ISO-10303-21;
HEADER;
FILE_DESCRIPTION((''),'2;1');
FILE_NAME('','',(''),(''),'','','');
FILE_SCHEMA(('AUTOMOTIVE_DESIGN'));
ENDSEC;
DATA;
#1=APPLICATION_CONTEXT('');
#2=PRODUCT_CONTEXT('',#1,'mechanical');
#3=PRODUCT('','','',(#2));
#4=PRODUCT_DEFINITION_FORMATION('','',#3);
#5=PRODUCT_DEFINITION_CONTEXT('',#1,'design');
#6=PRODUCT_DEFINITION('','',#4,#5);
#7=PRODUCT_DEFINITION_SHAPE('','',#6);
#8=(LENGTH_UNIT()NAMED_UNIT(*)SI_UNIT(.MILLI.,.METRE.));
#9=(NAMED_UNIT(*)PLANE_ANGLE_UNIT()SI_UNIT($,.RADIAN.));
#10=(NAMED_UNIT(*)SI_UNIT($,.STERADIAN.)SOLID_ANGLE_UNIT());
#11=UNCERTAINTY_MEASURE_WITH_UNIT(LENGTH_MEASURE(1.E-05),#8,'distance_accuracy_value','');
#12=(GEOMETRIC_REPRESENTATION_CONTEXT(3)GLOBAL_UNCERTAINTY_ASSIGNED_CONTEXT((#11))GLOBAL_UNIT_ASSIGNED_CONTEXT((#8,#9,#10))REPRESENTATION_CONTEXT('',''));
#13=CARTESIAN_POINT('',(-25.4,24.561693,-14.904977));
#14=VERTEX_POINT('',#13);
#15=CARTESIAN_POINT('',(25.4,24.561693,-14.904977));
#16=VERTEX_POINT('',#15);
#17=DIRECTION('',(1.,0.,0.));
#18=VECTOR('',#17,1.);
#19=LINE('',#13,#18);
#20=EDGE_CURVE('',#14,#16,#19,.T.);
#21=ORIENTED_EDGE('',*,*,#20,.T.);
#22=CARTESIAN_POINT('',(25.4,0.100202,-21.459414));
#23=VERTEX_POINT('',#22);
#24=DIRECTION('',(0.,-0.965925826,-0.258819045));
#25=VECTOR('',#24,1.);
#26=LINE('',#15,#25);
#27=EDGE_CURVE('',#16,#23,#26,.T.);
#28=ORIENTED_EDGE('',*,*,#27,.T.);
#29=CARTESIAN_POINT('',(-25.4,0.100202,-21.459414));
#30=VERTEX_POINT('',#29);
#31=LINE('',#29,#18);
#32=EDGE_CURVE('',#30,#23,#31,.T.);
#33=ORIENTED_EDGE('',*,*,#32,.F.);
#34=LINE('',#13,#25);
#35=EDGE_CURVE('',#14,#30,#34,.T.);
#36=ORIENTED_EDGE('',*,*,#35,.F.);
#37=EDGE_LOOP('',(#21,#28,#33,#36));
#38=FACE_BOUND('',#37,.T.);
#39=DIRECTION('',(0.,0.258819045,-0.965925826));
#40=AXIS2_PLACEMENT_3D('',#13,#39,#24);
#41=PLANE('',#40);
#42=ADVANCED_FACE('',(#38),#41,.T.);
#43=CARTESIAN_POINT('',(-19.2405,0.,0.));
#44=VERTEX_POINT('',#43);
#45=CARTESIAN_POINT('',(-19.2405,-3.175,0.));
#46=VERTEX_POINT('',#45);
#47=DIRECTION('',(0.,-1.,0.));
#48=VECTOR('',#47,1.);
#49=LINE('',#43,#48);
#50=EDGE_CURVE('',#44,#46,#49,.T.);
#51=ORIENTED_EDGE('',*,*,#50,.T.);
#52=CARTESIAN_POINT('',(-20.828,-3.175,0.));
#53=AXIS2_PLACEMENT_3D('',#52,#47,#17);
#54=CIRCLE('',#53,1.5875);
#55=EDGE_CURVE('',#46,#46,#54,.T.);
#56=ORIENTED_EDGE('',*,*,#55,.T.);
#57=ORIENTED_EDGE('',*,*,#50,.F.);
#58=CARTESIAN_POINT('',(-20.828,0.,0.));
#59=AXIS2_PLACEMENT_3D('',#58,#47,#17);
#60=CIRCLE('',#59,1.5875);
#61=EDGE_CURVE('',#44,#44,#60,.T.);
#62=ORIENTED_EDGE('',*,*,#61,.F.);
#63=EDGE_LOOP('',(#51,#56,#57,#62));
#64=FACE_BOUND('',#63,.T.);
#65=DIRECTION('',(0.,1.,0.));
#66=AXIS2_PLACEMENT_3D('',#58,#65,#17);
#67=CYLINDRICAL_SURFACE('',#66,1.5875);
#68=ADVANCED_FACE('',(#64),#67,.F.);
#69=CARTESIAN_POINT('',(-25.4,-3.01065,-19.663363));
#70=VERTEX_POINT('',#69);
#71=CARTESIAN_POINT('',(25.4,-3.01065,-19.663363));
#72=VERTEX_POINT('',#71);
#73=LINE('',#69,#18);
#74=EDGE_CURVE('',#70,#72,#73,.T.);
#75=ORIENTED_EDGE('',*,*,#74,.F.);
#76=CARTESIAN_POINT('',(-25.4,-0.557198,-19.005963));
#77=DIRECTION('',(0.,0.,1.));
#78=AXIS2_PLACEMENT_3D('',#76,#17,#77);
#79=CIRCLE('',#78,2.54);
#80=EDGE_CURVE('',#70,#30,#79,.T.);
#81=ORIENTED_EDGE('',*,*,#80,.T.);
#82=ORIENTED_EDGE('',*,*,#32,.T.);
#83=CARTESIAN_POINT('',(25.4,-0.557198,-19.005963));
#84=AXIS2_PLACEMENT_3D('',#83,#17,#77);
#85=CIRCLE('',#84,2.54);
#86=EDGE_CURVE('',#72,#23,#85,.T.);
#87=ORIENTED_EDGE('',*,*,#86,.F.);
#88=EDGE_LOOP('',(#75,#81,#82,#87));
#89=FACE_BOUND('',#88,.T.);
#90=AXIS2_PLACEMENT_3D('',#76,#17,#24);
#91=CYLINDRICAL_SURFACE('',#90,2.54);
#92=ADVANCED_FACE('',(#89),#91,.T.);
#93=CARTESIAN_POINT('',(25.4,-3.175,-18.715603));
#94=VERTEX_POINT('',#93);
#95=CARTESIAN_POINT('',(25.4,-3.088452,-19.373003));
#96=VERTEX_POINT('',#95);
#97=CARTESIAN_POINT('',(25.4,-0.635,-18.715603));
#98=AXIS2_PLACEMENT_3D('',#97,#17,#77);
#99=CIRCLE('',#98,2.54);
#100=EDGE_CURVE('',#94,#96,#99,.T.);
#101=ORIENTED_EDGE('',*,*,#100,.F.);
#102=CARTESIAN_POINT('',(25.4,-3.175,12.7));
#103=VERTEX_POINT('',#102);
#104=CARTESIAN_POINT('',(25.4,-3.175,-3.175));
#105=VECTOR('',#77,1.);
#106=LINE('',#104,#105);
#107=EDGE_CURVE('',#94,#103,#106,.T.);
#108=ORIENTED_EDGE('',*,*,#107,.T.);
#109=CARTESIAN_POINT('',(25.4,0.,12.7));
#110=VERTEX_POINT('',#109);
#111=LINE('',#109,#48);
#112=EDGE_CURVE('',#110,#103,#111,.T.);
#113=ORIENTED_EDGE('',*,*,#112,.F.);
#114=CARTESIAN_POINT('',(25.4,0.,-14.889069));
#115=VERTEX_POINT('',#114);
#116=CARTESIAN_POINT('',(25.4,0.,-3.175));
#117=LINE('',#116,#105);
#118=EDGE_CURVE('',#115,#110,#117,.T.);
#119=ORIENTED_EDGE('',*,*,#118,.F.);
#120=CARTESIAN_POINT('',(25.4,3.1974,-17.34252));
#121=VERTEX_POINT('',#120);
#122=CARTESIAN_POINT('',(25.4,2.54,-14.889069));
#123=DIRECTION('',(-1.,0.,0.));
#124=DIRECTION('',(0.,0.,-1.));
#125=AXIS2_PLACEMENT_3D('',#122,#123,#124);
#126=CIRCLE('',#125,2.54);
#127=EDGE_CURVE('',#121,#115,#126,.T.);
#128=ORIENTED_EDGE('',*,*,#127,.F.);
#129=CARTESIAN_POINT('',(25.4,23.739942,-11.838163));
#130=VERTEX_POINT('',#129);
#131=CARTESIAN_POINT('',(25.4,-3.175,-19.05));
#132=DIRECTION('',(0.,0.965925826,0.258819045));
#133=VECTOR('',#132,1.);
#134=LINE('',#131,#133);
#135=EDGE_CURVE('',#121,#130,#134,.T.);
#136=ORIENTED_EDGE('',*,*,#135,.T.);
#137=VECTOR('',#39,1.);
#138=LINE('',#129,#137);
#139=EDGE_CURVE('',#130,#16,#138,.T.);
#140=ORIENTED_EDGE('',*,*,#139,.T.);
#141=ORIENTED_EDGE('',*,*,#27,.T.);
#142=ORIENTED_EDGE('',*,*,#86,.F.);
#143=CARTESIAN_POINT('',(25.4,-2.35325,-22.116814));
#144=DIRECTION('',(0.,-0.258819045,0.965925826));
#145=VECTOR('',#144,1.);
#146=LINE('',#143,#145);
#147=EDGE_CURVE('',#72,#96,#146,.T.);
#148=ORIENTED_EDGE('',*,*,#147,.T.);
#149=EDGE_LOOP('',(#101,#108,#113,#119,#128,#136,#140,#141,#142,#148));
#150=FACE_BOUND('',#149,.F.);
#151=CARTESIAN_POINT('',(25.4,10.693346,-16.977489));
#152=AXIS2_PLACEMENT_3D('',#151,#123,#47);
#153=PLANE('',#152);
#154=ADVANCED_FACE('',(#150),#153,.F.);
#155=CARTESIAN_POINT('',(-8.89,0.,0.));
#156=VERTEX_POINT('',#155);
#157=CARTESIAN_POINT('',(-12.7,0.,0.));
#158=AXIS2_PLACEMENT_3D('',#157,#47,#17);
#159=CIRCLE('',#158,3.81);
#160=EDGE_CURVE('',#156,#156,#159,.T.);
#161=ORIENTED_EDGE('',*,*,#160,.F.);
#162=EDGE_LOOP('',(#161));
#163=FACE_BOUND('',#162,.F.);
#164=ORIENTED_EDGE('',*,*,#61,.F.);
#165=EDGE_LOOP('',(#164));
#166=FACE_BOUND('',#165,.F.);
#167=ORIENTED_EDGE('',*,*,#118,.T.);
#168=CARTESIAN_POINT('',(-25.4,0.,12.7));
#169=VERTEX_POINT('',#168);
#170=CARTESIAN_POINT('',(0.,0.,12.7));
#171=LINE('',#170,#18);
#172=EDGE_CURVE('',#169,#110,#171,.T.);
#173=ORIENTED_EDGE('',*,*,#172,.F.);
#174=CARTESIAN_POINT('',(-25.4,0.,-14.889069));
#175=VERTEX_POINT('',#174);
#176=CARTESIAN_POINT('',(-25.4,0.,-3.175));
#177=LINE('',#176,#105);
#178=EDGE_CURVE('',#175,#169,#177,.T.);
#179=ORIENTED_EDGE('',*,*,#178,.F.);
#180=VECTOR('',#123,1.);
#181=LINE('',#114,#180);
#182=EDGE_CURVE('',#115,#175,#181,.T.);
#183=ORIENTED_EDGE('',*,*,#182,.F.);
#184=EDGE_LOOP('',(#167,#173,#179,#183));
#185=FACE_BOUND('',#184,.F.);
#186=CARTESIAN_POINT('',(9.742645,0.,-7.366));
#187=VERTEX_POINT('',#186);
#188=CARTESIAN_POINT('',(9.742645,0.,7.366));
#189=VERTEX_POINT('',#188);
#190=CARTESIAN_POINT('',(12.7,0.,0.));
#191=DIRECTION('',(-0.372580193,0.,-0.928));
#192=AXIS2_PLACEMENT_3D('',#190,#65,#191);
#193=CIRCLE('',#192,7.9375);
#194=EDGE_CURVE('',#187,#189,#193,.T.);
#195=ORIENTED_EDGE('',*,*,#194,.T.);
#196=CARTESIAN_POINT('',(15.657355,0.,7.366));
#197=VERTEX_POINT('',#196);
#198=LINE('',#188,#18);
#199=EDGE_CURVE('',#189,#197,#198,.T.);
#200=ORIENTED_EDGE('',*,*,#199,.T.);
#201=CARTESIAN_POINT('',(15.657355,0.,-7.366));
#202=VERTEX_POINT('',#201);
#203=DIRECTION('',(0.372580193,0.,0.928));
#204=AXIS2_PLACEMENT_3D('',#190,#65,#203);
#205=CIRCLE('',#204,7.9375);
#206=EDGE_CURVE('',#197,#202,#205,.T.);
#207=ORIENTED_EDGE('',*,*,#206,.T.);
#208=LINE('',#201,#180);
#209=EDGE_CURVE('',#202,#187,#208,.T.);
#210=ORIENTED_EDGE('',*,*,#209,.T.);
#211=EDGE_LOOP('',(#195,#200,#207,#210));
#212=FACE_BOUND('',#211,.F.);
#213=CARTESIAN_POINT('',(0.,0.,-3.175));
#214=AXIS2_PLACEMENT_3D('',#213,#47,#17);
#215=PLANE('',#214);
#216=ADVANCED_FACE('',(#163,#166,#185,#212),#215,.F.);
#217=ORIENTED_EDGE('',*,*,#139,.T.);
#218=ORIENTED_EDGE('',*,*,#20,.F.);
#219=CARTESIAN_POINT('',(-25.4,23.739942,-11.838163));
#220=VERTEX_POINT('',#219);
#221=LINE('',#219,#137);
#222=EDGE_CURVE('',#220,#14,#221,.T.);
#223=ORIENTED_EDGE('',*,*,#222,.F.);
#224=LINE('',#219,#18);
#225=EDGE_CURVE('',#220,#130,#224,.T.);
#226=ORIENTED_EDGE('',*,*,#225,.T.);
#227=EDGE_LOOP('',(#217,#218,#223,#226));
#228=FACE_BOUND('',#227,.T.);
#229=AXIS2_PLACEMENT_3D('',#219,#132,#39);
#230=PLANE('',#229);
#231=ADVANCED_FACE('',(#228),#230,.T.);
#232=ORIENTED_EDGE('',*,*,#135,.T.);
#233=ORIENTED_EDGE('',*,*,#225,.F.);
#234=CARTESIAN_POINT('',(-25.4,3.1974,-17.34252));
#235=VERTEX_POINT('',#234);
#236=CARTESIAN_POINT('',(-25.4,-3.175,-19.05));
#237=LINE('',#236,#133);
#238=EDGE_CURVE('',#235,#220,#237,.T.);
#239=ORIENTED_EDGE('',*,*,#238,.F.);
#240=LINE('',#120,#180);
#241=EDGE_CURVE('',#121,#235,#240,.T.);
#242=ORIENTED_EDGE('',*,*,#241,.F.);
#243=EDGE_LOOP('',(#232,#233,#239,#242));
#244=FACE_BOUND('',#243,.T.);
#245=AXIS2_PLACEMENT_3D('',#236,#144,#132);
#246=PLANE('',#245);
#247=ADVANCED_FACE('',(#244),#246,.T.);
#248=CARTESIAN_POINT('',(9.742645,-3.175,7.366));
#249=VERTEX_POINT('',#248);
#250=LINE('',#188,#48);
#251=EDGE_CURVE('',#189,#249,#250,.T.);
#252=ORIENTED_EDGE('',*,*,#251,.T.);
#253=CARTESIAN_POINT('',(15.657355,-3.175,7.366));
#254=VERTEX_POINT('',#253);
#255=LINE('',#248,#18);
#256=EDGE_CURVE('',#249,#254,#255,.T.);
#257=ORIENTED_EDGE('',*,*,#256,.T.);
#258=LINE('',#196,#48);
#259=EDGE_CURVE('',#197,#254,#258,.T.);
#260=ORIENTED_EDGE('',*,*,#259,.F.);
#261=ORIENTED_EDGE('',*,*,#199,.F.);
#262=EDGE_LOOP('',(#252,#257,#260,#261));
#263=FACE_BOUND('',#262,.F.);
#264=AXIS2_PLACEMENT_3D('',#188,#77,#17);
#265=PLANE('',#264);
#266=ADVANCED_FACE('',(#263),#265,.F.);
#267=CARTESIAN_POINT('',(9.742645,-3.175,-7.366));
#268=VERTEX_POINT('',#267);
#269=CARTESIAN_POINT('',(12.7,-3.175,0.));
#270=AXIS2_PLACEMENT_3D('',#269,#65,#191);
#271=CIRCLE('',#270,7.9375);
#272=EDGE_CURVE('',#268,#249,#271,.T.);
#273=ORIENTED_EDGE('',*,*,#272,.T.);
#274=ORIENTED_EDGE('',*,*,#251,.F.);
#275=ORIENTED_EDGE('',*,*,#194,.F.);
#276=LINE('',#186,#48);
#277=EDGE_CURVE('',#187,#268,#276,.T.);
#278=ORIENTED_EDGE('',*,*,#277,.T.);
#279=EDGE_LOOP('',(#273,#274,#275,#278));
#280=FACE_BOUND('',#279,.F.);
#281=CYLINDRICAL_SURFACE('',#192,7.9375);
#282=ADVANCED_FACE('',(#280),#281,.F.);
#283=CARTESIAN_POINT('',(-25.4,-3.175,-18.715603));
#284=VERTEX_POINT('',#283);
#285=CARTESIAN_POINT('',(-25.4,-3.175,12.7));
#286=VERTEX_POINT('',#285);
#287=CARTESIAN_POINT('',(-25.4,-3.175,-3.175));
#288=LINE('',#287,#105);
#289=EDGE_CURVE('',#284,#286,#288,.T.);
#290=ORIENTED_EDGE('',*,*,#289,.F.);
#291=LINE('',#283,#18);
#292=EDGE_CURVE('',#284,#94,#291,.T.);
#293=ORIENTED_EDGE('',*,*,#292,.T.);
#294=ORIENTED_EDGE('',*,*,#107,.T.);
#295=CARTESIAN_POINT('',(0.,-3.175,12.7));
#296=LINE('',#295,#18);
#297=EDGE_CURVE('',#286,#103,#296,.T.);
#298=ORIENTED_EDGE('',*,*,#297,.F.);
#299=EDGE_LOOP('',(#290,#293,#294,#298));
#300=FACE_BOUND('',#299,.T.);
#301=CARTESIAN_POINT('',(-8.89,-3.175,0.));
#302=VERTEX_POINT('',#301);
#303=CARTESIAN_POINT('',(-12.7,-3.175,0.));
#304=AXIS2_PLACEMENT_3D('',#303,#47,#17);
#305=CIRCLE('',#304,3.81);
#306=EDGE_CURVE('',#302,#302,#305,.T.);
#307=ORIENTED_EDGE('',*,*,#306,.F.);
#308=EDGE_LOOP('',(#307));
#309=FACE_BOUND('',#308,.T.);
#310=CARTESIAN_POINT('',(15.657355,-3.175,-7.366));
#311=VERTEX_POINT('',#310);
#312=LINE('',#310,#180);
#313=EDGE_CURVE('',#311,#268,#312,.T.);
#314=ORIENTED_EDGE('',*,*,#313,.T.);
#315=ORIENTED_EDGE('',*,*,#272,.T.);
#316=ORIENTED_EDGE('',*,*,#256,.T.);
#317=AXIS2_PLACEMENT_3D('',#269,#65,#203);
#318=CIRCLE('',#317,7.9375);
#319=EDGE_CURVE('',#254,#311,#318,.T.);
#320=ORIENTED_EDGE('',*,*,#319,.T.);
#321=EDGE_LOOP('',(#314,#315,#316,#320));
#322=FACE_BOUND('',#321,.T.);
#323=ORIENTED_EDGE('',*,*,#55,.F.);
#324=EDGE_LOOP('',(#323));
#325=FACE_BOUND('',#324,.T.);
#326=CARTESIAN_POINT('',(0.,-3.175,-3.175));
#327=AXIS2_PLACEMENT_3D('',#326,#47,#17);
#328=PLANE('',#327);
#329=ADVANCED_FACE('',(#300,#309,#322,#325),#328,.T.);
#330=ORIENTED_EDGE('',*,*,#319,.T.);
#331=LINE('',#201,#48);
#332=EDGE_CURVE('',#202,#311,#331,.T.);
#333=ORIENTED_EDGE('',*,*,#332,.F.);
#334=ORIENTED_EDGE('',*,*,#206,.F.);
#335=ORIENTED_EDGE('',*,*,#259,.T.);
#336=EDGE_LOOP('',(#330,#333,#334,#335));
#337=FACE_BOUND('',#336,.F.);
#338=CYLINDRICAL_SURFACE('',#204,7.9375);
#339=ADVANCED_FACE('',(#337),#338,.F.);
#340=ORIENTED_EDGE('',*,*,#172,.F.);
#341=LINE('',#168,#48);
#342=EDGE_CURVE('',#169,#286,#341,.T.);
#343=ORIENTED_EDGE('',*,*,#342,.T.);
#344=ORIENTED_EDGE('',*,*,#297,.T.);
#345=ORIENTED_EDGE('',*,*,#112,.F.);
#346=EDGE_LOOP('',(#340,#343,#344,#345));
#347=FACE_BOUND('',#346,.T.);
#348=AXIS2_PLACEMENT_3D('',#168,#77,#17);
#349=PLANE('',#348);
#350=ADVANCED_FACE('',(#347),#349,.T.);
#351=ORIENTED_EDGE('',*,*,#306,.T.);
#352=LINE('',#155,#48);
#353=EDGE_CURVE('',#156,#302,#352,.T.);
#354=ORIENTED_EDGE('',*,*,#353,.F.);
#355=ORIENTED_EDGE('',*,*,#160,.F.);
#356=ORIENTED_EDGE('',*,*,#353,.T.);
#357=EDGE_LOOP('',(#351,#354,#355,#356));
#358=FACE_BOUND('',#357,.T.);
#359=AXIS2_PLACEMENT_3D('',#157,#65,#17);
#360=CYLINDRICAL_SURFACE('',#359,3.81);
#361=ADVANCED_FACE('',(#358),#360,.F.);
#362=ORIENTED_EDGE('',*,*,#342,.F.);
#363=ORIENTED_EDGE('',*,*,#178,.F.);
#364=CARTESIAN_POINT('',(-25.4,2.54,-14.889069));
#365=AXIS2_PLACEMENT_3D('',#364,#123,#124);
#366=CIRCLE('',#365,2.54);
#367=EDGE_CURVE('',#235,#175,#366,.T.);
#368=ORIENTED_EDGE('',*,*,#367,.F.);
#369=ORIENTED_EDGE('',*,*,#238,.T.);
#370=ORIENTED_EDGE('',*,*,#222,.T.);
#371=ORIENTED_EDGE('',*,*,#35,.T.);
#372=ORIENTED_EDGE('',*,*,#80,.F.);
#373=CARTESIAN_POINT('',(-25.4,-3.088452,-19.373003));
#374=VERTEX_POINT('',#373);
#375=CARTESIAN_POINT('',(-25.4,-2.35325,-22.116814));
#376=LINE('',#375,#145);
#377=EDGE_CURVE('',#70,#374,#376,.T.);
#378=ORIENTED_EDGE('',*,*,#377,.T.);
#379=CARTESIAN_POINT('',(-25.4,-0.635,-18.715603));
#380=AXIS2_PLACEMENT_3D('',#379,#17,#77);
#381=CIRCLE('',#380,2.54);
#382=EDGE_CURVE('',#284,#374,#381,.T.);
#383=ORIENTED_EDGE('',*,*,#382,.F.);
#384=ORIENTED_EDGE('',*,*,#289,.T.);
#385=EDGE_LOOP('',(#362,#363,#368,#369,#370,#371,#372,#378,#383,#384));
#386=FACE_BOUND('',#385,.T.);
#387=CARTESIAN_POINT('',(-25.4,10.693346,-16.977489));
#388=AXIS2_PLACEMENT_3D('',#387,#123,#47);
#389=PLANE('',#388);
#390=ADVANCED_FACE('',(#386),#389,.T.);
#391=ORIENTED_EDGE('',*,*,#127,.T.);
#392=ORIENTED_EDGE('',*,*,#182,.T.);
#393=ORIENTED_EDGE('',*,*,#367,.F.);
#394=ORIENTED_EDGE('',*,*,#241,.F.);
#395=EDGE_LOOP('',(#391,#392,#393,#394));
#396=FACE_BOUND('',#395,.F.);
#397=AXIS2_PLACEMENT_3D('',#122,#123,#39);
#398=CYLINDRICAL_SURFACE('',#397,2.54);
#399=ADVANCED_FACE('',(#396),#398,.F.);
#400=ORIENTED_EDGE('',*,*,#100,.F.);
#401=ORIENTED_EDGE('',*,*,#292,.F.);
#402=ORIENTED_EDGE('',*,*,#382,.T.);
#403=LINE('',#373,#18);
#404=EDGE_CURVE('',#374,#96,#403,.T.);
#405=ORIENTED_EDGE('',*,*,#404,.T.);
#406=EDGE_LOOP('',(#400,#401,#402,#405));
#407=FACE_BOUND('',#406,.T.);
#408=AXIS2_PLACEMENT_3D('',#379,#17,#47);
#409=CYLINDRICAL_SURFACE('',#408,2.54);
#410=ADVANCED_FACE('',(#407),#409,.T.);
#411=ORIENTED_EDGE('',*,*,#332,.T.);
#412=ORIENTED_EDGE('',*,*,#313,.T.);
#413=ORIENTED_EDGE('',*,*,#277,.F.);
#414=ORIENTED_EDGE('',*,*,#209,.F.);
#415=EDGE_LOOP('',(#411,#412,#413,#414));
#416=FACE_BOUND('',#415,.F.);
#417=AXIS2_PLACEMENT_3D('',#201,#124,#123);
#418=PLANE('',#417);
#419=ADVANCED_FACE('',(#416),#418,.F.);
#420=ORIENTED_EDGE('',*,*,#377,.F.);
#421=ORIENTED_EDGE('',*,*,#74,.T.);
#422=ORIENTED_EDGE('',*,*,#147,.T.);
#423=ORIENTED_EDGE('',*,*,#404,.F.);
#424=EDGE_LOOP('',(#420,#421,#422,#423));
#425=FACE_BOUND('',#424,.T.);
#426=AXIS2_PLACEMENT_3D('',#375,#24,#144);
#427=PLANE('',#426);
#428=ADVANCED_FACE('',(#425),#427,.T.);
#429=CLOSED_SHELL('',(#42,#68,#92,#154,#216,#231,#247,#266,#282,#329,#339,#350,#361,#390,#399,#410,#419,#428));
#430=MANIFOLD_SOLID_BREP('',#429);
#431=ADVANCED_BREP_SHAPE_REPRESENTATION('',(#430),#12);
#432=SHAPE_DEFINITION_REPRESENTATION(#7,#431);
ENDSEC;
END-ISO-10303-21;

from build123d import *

# Parameters (mm, degrees)
F0_W     = 50.8
F0_H     = 31.75
F0_R     = 1.5875
F0_R_2   = 3.81
F1_DEPTH = 3.175
F3_DEPTH = 50.8
F4_R     = 2.54
F5_R     = 2.54


with BuildPart() as f1:
    # F0 (on Front) → F1 (new body)
    with BuildSketch(Plane.XZ):
        with Locations((0, -3.175)):
            Rectangle(F0_W, F0_H)
        with Locations((-20.828, 0)):
            Circle(F0_R, mode=Mode.SUBTRACT)
        with Locations((-12.7, 0)):
            Circle(F0_R_2, mode=Mode.SUBTRACT)
        with BuildLine():
            ThreePointArc((9.7426447204, -7.366), (4.7625, 0), (9.7426447204, 7.366))
            Line((9.7426447204, 7.366), (15.6573552796, 7.366))
            ThreePointArc((15.6573552796, 7.366), (20.6375, 0), (15.6573552796, -7.366))
            Line((15.6573552796, -7.366), (9.7426447204, -7.366))
        make_face(mode=Mode.SUBTRACT)
    extrude(amount=F1_DEPTH)

    # F2 (on face) → F3 (join, through all)
    with BuildSketch(Plane(origin=(-25.4, 0, 0), x_dir=(0, -1, 0), z_dir=(-1, 0, 0))):
        Polygon((2.3532495318, -22.1168144985), (3.175, -19.05), (-23.7399423715, -11.8381629272), (-24.5616928397, -14.9049774257), align=None)
    extrude(amount=-F3_DEPTH)

    # F4
    f4_edges = [f1.edges().sort_by_distance(p)[0] for p in [
        (0, 0, -18.199261),
    ]]
    fillet(f4_edges, radius=F4_R)

    # F5
    f5_edges = [f1.edges().sort_by_distance(p)[0] for p in [
        (0, -2.35325, -22.116814),
        (0, -3.175, -19.05),
    ]]
    fillet(f5_edges, radius=F5_R)


solid = f1.part
